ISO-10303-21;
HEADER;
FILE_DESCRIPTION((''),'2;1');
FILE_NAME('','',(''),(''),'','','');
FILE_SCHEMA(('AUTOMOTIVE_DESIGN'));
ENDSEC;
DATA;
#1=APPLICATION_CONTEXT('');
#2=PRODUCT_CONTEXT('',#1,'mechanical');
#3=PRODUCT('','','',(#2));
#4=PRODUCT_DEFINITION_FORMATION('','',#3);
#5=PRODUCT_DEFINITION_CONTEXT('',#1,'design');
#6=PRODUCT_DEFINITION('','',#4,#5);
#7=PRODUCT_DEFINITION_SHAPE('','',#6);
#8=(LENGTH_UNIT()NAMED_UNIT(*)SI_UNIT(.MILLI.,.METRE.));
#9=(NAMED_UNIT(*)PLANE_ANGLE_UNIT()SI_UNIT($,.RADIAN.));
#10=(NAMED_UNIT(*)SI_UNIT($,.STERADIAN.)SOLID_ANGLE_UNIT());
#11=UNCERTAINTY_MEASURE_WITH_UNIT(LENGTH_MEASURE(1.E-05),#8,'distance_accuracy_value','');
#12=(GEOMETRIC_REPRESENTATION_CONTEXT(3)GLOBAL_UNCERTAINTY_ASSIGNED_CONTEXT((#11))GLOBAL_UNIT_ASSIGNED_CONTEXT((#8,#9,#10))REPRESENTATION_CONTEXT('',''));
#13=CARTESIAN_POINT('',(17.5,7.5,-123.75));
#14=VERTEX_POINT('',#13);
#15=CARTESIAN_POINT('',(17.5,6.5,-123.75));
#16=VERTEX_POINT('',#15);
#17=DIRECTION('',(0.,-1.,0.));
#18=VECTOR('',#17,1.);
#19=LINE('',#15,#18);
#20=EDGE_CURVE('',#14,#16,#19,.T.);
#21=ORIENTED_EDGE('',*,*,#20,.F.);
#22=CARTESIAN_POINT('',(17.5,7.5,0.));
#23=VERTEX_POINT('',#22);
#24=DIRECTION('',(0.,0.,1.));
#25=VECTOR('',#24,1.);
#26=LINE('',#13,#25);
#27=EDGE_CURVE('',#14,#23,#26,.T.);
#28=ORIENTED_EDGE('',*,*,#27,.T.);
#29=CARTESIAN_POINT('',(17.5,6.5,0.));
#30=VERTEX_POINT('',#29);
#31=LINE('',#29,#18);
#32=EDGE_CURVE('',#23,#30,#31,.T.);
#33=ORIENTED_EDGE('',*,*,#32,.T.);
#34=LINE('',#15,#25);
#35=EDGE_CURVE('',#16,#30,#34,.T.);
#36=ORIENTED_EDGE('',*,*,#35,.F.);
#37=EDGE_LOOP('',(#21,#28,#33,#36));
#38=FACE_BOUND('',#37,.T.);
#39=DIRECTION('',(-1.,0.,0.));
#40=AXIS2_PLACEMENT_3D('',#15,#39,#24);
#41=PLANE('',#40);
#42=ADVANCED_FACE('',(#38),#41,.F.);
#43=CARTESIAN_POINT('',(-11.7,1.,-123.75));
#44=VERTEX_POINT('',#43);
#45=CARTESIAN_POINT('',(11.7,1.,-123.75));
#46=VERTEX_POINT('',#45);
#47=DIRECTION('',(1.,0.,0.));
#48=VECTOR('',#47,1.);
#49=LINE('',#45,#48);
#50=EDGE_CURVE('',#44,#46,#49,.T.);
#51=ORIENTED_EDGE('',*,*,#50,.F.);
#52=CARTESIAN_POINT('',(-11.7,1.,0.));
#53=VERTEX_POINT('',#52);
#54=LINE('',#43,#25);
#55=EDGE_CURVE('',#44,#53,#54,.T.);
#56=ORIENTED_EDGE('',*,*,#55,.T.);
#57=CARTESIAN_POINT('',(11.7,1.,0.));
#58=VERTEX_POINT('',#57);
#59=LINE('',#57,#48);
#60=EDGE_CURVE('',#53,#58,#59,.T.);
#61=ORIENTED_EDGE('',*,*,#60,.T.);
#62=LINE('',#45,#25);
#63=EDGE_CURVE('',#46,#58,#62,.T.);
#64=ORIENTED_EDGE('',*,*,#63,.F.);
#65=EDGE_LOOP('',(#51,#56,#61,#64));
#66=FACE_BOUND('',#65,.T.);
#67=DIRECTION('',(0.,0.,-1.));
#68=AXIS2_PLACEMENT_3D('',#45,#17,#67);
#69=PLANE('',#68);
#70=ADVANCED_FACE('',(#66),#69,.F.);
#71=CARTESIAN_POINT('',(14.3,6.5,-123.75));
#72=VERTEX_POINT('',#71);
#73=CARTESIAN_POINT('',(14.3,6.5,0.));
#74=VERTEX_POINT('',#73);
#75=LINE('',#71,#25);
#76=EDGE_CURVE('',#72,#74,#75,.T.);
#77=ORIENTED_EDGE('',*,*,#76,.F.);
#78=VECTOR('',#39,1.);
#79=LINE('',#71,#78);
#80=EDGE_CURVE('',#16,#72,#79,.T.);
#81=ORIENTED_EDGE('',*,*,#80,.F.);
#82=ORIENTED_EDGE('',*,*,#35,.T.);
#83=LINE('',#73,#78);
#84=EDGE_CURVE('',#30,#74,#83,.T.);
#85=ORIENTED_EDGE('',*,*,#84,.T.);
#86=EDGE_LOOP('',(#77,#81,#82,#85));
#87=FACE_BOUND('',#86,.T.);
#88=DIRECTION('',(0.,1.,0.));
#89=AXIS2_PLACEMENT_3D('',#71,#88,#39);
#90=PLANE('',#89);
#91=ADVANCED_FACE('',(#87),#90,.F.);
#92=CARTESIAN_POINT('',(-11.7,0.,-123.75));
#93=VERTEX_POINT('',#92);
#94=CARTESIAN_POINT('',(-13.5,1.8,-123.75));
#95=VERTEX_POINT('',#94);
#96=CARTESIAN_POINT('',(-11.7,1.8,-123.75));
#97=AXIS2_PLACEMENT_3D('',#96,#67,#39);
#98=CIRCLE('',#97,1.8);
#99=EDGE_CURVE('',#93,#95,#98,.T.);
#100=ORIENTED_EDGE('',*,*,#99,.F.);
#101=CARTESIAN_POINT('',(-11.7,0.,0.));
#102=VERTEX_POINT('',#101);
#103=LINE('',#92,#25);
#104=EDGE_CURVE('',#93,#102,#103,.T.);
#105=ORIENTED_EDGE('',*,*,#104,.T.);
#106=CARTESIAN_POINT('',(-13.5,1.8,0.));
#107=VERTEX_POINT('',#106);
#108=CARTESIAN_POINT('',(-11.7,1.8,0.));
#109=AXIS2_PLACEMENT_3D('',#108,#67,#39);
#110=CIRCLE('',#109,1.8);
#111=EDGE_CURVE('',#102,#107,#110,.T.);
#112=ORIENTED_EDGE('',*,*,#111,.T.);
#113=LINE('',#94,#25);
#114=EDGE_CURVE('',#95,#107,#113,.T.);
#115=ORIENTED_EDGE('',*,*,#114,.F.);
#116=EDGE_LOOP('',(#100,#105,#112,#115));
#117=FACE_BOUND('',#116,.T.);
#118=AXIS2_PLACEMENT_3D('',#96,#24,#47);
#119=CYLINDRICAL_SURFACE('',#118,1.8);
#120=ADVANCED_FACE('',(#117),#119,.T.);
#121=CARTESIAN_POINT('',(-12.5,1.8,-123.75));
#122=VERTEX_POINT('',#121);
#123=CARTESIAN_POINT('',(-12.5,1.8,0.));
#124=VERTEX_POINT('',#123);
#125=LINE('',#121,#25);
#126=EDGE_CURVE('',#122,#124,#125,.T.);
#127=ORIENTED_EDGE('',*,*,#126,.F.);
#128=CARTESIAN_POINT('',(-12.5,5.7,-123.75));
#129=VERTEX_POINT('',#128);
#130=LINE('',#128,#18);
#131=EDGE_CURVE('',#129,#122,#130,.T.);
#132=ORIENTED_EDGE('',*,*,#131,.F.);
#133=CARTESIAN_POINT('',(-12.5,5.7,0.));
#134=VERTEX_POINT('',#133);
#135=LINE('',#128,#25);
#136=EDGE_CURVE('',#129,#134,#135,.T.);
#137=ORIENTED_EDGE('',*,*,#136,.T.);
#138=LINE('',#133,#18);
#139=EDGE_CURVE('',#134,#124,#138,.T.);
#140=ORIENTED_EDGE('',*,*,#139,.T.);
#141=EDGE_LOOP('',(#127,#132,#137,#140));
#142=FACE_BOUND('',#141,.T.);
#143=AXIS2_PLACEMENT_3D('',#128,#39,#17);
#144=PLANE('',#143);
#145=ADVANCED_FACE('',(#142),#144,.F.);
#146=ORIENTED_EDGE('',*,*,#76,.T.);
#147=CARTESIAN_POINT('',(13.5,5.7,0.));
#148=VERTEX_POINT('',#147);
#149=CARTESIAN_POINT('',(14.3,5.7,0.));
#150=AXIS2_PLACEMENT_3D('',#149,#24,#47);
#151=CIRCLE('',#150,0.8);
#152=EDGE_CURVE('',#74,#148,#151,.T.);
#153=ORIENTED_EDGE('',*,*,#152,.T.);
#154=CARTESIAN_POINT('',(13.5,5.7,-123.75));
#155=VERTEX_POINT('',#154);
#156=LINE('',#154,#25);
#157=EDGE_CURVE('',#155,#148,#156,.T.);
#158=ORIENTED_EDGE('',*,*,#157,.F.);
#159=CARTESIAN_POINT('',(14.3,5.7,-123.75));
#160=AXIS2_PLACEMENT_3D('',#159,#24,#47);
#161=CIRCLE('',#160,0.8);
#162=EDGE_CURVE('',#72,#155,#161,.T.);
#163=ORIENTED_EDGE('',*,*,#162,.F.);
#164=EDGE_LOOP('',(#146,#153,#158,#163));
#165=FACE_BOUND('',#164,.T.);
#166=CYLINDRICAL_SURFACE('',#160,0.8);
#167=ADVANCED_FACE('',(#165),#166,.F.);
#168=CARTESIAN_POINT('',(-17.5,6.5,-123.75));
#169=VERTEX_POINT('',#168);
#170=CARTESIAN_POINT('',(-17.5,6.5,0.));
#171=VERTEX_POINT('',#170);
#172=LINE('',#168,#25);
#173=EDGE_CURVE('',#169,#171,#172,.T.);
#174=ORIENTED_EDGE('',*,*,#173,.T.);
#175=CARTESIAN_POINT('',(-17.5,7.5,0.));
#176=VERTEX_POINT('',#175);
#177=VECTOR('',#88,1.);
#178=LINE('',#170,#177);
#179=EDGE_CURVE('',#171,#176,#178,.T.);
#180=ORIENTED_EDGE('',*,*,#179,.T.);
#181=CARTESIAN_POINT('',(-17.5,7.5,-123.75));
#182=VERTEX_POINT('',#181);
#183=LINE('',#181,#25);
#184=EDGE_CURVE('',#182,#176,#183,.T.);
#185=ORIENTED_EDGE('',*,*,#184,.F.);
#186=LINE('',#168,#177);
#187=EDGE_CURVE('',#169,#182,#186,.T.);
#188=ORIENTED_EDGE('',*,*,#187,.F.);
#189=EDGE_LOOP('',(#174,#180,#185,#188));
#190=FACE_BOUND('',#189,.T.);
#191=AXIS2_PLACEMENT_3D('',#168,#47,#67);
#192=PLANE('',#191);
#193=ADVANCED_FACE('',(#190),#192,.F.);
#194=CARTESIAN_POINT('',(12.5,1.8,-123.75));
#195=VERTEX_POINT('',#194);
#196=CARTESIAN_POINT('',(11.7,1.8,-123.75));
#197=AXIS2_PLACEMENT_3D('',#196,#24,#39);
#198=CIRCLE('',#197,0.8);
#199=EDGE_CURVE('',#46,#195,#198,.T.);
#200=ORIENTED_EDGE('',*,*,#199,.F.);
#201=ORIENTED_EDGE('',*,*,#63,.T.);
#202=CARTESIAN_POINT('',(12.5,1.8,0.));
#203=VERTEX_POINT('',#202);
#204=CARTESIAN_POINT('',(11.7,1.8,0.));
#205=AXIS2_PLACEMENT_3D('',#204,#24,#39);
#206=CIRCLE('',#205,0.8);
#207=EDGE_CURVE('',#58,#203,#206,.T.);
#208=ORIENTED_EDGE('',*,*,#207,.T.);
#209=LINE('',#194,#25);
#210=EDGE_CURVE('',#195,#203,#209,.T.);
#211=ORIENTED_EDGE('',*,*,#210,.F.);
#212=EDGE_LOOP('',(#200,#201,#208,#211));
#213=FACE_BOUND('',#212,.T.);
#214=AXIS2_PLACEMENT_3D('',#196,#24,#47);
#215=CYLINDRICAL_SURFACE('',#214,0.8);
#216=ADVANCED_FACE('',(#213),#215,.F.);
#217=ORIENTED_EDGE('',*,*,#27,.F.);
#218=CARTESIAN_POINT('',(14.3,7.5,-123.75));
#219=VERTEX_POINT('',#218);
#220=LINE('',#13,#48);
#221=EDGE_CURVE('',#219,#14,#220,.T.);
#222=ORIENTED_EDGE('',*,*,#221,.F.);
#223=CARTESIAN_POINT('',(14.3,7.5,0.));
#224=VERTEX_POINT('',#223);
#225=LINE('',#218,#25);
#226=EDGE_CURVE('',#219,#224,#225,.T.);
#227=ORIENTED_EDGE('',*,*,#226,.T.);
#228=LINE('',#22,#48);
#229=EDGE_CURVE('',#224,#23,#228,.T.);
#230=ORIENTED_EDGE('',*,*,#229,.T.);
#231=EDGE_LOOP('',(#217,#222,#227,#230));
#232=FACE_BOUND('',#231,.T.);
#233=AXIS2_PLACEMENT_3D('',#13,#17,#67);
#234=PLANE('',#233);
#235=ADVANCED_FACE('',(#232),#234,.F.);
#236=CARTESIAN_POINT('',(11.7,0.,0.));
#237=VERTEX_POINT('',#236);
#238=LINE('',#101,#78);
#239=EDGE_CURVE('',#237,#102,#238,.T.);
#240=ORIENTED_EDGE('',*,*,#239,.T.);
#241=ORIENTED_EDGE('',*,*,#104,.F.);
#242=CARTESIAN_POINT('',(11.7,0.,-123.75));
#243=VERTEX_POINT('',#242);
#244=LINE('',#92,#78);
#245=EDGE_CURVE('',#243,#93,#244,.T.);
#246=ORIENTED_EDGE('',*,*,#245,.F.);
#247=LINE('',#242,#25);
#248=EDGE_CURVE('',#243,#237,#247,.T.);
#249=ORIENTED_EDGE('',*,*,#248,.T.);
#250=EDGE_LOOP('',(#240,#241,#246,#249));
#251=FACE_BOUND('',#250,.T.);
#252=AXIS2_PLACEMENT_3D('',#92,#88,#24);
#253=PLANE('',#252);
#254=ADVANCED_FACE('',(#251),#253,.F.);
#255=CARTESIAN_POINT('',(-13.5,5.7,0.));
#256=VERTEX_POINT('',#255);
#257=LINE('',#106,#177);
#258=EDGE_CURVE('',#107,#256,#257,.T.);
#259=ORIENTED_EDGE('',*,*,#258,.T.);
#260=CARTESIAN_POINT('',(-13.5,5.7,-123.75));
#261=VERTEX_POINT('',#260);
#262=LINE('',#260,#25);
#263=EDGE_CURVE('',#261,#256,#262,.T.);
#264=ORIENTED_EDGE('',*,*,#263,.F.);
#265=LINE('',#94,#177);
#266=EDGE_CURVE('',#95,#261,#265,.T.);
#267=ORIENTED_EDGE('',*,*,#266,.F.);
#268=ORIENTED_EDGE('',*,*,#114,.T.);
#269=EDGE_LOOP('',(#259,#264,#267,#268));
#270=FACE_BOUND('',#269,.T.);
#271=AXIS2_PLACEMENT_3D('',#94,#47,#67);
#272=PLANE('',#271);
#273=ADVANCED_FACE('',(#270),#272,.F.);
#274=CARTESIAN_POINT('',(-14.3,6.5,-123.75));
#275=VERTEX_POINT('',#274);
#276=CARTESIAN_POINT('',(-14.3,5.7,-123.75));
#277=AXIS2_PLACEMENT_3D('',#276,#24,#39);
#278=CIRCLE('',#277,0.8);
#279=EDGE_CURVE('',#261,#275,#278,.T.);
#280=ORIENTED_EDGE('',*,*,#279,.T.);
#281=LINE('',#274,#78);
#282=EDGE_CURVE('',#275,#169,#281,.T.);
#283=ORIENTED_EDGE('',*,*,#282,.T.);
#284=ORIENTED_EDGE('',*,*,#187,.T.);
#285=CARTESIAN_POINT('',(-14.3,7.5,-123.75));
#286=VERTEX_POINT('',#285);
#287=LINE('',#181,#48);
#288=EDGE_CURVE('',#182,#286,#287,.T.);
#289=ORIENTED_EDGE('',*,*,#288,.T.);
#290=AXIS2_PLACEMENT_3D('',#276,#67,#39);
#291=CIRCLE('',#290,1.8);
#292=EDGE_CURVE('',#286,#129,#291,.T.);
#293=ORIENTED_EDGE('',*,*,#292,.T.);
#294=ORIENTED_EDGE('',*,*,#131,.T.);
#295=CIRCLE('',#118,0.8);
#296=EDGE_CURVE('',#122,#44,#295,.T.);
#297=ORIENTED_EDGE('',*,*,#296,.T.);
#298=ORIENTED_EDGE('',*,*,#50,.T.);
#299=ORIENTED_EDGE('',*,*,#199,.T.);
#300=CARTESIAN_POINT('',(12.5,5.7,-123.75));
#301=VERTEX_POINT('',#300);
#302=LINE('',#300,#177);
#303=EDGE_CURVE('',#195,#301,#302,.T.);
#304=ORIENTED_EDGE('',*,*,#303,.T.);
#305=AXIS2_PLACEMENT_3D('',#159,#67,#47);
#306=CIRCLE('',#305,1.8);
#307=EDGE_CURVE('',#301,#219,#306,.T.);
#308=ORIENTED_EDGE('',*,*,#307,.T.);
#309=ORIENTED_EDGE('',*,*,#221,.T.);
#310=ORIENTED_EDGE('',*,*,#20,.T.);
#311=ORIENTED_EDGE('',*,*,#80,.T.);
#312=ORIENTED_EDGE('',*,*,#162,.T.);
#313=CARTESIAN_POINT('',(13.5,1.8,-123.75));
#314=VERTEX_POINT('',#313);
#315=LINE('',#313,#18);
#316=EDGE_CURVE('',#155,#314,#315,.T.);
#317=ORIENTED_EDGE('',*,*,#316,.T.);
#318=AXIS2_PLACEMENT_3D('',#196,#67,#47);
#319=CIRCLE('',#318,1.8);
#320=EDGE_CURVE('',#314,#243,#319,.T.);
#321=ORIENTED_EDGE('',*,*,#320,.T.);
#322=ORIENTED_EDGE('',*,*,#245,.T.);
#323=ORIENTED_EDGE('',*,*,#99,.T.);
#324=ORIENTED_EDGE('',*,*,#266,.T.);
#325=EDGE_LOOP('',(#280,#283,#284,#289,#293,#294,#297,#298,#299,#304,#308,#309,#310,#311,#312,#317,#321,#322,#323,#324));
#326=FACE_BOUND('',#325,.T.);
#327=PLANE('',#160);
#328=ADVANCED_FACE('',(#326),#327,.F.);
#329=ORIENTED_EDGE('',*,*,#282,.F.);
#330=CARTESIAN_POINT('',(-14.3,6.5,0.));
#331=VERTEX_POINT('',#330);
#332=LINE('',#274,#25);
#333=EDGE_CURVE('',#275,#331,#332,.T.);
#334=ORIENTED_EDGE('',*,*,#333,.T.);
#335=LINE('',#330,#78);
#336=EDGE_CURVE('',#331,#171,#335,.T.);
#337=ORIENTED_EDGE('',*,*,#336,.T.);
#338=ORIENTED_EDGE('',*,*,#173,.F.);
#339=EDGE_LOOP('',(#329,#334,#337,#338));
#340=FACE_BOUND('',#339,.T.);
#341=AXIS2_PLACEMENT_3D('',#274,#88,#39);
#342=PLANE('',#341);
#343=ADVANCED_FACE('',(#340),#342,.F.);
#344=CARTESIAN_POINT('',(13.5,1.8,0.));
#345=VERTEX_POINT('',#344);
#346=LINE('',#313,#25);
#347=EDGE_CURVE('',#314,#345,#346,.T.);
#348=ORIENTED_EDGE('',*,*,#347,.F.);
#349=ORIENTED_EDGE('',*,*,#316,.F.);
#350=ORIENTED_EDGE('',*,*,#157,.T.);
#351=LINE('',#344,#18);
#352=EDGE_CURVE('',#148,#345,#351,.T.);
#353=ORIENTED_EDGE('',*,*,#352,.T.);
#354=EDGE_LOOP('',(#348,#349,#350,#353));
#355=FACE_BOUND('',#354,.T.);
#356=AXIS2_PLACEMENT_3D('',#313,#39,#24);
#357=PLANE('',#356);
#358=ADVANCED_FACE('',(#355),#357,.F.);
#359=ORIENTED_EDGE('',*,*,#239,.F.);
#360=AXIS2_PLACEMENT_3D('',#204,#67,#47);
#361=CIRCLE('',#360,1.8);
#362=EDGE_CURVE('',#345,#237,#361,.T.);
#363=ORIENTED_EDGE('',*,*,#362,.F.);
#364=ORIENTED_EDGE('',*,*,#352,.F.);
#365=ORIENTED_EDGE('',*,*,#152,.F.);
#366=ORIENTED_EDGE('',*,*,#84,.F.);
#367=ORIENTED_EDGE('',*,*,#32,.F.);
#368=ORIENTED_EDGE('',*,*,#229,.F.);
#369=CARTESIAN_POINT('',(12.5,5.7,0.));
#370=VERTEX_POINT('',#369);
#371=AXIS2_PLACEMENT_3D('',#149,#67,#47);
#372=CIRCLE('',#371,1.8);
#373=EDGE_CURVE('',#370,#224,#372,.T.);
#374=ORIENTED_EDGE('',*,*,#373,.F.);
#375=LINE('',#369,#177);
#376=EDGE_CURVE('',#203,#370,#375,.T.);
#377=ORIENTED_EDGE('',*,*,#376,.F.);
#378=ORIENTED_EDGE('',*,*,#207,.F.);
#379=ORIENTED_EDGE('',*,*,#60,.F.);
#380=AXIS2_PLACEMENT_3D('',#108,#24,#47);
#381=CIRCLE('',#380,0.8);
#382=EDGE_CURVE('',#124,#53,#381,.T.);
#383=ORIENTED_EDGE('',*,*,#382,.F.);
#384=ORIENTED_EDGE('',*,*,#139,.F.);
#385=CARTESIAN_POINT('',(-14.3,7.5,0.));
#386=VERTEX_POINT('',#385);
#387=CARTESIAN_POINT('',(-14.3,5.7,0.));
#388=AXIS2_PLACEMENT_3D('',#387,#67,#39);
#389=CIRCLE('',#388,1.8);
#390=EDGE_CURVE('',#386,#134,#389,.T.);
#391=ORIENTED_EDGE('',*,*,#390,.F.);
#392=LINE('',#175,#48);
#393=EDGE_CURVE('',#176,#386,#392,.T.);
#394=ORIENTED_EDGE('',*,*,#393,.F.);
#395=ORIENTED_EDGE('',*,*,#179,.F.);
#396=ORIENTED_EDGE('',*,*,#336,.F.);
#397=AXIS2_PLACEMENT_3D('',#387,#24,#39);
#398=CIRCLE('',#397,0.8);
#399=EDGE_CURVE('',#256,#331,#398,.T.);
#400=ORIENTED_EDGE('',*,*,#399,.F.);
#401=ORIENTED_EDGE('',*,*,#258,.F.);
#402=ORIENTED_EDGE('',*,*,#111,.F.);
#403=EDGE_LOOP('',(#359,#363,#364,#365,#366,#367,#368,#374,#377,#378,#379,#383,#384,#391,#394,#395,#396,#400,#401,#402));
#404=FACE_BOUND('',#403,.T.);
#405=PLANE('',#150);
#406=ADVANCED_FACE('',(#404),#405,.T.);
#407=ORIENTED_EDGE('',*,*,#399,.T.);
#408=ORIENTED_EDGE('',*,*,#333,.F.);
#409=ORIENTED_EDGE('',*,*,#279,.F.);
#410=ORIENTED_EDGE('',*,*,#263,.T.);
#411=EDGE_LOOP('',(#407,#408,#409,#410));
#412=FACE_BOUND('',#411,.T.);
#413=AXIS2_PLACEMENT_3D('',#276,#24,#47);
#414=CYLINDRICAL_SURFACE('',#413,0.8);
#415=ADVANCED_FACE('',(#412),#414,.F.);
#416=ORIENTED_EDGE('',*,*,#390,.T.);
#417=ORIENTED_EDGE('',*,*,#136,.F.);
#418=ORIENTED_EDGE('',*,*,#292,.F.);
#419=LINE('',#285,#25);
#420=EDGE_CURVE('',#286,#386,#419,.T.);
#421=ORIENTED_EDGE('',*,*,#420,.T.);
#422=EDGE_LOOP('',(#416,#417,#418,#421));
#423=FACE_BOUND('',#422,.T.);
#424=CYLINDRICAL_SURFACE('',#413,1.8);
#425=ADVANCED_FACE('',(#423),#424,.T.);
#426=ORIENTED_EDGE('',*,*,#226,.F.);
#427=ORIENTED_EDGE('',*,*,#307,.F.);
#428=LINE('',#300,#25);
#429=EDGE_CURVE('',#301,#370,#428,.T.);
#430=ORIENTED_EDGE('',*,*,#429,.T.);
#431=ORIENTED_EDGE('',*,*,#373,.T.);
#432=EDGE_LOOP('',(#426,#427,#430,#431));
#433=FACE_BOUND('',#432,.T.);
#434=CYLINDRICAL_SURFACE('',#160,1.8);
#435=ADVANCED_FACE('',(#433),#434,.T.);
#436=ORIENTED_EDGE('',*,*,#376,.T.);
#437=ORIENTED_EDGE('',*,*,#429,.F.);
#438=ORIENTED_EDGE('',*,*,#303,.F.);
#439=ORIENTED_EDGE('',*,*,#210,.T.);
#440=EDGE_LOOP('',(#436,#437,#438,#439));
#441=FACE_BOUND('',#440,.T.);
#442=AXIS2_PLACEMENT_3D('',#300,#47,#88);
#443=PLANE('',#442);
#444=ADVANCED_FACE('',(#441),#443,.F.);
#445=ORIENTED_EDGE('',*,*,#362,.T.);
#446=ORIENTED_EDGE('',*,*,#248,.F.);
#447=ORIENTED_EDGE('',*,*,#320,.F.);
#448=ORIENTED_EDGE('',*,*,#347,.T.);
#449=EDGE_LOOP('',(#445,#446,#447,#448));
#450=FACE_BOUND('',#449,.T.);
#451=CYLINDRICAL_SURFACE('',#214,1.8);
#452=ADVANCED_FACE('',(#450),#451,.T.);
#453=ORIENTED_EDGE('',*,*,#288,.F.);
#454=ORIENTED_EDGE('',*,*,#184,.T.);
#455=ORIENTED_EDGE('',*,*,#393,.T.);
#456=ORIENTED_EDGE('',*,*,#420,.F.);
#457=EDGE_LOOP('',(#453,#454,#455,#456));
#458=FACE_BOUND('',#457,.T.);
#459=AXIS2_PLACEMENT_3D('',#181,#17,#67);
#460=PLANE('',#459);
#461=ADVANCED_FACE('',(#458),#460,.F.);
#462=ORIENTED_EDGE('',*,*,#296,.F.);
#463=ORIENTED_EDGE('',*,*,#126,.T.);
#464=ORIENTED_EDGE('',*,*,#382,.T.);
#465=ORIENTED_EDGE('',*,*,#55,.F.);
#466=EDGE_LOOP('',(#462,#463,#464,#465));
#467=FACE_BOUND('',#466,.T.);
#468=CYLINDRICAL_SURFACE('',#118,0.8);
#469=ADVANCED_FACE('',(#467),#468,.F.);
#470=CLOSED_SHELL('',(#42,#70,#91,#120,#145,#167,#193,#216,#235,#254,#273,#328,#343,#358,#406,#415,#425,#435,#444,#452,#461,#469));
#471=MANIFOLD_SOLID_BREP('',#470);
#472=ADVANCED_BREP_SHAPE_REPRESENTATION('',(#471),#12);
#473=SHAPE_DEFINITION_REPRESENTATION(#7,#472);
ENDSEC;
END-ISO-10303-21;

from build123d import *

# Parameters (mm, degrees)
DIN_RAIL_NS_35_7_5_PERF_2000MM_1_DEPTH = 123.75


with BuildPart() as part:
    # Sketch12 → Din_rail NS 35 7 5 PERF 2000MM(1) (new body)
    with BuildSketch(Plane(origin=(0, 0, 0), x_dir=(-1, 0, 0), z_dir=(0, 0, -1))):
        with BuildLine():
            Line((11.7, 0), (-11.7, 0))
            ThreePointArc((-11.7, 0), (-12.972792206, 0.527207794), (-13.5, 1.8))
            Line((-13.5, 1.8), (-13.5, 5.7))
            ThreePointArc((-13.5, 5.7), (-13.734314575, 6.265685425), (-14.3, 6.5))
            Line((-14.3, 6.5), (-17.5, 6.5))
            Line((-17.5, 6.5), (-17.5, 7.5))
            Line((-17.5, 7.5), (-14.3, 7.5))
            ThreePointArc((-14.3, 7.5), (-13.027207794, 6.972792206), (-12.5, 5.7))
            Line((-12.5, 5.7), (-12.5, 1.8))
            ThreePointArc((-12.5, 1.8), (-12.265685425, 1.234314575), (-11.7, 1))
            Line((-11.7, 1), (11.7, 1))
            ThreePointArc((11.7, 1), (12.265685425, 1.234314575), (12.5, 1.8))
            Line((12.5, 1.8), (12.5, 5.7))
            ThreePointArc((12.5, 5.7), (13.027207794, 6.972792206), (14.3, 7.5))
            Line((14.3, 7.5), (17.5, 7.5))
            Line((17.5, 7.5), (17.5, 6.5))
            Line((17.5, 6.5), (14.3, 6.5))
            ThreePointArc((14.3, 6.5), (13.734314575, 6.265685425), (13.5, 5.7))
            Line((13.5, 5.7), (13.5, 1.8))
            ThreePointArc((13.5, 1.8), (12.972792206, 0.527207794), (11.7, 0))
        make_face()
    extrude(amount=DIN_RAIL_NS_35_7_5_PERF_2000MM_1_DEPTH)


solid = part.part
